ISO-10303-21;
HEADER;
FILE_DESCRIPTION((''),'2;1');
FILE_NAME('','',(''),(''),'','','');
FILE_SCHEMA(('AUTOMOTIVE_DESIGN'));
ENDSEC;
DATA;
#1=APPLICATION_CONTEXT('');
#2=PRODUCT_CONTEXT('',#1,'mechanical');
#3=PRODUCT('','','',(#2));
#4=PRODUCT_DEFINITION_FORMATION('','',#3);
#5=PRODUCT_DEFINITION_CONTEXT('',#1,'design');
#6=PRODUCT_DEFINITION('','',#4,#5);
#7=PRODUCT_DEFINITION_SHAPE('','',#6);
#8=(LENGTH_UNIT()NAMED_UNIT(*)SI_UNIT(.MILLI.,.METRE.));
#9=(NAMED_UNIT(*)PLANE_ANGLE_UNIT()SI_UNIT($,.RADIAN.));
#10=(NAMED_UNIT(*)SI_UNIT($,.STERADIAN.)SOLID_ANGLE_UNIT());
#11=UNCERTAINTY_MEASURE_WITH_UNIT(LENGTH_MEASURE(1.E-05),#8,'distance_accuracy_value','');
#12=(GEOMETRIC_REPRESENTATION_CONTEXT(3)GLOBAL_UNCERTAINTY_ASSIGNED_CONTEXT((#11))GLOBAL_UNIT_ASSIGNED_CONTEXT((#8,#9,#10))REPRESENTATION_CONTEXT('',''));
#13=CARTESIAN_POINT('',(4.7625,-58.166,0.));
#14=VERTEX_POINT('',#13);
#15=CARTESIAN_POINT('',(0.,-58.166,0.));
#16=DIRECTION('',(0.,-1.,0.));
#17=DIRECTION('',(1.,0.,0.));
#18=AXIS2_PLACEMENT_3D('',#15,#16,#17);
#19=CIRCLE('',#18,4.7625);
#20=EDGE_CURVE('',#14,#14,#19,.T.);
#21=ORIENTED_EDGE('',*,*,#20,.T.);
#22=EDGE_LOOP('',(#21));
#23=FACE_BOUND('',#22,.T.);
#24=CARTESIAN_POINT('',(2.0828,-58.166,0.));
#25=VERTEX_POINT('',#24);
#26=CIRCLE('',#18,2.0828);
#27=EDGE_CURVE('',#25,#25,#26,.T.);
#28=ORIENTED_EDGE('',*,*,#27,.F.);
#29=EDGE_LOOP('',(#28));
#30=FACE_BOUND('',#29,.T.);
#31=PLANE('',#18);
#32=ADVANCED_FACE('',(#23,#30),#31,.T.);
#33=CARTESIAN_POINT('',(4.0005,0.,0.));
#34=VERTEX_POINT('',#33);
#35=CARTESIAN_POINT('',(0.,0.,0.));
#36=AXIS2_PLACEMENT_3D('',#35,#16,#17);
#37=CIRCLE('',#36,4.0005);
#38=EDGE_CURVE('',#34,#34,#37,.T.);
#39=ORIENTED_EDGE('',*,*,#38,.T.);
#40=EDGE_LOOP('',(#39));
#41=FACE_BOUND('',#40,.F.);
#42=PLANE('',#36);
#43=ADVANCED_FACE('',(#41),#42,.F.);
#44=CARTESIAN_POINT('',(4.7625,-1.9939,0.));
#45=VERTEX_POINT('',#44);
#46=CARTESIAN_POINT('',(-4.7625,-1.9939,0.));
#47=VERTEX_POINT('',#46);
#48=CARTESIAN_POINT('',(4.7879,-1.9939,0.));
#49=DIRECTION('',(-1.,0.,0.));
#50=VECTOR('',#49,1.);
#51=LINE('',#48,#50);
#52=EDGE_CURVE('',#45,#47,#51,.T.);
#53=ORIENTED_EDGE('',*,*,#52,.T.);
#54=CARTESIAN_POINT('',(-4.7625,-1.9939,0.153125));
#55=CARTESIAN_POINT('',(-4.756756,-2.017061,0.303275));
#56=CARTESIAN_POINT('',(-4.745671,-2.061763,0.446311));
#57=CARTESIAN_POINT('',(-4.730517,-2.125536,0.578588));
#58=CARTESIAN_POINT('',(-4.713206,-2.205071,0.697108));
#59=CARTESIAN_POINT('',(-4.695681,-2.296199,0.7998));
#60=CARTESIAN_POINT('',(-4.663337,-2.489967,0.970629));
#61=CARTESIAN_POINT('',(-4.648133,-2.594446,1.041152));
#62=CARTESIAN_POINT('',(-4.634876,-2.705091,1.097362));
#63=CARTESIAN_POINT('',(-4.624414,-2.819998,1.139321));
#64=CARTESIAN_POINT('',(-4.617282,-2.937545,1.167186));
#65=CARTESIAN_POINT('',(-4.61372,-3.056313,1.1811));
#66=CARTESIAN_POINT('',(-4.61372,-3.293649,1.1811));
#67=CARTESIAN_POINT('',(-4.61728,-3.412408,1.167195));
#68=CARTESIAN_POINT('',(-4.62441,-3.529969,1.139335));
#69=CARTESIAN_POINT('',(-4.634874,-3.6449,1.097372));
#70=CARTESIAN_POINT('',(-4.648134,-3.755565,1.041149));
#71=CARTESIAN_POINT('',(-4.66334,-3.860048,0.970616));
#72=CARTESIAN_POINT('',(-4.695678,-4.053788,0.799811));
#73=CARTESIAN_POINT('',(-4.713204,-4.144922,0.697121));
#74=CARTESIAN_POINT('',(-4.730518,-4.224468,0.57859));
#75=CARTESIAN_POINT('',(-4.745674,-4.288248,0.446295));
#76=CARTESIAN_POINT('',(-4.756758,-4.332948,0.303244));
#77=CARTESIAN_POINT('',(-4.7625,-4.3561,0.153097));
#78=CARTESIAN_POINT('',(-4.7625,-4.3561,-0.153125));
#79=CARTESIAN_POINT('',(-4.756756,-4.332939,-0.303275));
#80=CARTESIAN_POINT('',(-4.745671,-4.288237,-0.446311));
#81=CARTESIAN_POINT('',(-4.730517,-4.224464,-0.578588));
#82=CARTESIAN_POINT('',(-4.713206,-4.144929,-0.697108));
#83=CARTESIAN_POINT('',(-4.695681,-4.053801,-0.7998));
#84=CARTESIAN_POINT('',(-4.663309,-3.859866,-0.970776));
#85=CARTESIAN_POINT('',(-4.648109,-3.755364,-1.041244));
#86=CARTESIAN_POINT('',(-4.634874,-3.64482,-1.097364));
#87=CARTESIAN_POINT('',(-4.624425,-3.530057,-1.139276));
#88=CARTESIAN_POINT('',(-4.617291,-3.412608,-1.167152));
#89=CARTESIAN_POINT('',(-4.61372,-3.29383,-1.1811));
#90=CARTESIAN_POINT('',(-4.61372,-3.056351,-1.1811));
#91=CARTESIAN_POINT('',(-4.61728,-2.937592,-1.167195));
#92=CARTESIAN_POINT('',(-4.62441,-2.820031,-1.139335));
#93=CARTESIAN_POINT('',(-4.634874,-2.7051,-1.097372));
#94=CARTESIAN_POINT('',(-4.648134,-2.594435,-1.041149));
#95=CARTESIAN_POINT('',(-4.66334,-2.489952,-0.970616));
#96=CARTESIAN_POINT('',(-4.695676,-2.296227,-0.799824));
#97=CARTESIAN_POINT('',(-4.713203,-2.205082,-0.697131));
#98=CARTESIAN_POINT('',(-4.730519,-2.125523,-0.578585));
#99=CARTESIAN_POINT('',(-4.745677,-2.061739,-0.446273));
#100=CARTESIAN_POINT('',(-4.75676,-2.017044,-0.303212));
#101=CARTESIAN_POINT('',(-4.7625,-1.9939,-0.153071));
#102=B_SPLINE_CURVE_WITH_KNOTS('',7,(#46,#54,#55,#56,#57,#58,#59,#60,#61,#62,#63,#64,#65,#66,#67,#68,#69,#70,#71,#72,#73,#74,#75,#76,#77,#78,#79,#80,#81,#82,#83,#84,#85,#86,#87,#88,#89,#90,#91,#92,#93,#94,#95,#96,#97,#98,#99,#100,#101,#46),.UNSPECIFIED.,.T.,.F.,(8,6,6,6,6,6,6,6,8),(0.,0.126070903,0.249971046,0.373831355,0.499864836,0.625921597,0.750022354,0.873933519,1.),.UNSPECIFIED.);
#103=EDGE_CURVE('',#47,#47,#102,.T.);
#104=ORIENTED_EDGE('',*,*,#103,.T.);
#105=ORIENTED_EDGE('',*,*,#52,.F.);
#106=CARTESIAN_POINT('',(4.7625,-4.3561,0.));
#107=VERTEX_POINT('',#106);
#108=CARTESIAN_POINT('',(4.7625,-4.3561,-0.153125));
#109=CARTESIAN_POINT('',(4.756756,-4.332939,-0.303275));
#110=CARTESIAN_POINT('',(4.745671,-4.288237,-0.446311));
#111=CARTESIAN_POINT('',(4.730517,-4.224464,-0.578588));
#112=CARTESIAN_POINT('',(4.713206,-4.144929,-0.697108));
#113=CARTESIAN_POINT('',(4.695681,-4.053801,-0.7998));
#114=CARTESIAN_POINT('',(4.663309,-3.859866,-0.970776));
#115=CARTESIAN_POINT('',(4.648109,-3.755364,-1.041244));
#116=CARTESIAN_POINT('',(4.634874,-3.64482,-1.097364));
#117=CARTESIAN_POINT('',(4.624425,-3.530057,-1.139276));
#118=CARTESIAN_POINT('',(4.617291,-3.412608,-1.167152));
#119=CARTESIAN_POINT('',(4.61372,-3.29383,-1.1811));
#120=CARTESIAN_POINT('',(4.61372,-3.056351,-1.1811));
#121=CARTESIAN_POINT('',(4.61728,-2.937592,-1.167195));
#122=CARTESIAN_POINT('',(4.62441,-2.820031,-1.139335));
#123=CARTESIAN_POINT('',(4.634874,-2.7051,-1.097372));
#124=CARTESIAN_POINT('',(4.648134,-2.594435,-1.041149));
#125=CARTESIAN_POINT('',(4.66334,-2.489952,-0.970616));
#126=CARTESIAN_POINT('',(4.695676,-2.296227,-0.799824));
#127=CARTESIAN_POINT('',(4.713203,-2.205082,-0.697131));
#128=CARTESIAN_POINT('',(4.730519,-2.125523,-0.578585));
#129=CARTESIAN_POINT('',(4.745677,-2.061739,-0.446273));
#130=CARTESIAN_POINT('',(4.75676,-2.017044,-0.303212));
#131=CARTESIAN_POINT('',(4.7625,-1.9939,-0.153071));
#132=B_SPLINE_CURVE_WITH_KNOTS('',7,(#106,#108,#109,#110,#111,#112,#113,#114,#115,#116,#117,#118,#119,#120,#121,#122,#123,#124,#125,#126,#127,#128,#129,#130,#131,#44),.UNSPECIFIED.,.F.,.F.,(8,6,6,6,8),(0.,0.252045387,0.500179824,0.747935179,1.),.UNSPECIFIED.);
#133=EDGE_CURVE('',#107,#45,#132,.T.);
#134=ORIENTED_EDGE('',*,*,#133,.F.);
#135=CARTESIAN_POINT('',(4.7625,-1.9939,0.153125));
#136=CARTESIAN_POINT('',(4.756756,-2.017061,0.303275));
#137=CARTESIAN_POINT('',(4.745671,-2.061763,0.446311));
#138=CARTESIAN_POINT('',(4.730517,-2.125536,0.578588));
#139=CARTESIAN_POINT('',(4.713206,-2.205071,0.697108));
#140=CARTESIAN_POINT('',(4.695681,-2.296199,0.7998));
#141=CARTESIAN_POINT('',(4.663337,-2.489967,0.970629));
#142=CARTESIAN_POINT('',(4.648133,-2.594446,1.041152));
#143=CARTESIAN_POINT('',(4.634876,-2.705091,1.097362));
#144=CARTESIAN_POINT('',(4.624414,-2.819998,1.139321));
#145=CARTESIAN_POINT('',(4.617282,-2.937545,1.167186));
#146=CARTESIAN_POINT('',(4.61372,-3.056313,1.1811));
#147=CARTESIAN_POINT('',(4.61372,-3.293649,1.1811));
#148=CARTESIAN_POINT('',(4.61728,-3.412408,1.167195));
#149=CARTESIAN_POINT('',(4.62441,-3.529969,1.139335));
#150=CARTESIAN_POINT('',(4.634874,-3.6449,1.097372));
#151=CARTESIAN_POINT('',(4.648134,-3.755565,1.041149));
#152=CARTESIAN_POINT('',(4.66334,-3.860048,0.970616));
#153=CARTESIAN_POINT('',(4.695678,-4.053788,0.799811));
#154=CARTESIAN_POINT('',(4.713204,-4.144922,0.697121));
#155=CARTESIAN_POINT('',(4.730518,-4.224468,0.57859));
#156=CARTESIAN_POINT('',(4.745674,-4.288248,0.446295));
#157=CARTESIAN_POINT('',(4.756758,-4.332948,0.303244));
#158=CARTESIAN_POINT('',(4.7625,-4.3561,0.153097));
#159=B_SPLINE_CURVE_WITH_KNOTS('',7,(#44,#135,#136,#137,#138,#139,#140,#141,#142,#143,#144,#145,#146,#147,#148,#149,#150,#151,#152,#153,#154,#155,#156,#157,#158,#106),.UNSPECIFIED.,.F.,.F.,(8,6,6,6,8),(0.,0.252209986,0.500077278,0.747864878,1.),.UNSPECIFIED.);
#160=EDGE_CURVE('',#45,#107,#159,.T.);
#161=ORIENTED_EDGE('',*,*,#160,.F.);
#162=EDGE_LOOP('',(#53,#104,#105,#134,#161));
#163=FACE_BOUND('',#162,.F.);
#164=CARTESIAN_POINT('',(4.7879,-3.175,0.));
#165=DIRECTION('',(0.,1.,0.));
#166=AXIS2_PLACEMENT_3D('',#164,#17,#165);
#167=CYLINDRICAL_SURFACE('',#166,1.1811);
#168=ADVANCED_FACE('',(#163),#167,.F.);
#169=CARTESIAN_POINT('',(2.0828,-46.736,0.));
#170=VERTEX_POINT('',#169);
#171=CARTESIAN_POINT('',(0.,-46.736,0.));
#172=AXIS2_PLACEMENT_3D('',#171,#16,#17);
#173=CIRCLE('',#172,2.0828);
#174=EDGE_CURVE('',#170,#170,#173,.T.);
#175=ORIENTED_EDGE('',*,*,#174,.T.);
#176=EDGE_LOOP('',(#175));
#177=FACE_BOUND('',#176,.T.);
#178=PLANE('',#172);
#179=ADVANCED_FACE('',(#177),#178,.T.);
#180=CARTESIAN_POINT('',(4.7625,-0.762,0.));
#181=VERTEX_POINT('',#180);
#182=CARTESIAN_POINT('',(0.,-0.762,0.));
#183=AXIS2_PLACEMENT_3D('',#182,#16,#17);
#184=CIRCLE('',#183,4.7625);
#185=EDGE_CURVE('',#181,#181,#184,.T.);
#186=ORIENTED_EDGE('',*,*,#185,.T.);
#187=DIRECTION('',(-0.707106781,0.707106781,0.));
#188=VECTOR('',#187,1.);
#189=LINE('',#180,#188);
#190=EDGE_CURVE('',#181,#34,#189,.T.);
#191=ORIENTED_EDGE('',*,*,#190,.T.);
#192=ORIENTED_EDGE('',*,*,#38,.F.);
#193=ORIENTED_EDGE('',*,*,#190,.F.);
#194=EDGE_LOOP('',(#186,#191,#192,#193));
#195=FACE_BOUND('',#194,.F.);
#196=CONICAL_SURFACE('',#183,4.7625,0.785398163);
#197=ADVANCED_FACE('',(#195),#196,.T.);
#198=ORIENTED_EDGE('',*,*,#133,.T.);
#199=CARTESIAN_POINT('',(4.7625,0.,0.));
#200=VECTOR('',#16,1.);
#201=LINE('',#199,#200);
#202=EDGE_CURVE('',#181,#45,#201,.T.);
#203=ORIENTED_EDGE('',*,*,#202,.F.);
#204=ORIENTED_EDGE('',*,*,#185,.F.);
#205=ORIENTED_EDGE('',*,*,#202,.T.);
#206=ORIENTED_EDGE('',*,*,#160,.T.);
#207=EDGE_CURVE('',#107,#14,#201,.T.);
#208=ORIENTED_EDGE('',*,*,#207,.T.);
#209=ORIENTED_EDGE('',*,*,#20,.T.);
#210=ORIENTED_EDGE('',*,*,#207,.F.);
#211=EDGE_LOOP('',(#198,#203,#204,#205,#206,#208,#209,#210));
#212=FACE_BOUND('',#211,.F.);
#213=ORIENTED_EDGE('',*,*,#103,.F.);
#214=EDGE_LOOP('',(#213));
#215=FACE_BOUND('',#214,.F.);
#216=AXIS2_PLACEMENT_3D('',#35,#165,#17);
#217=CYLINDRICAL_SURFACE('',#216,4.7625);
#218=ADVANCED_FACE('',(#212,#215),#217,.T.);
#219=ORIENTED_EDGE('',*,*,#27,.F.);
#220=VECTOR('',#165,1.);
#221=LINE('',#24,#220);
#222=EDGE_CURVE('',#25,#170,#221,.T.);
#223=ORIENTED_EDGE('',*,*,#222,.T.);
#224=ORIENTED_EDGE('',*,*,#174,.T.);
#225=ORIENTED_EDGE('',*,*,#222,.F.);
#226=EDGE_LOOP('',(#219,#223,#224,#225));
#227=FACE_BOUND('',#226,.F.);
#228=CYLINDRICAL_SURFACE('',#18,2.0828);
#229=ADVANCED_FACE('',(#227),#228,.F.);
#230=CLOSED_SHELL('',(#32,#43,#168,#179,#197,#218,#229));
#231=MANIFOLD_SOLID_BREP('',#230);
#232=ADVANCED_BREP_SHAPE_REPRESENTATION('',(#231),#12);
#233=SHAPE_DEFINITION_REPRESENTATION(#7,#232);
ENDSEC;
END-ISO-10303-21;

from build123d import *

# Parameters (mm, degrees)
F0_R     = 4.7625
F1_DEPTH = 58.166
F2_R     = 2.0828
F3_DEPTH = 11.43
F5_R     = 1.1811
F6_DEPTH = 10.16
F7_SIZE  = 0.762


with BuildPart() as f1:
    # F0 (on Front) → F1 (new body)
    with BuildSketch(Plane.XZ):
        Circle(F0_R)
    extrude(amount=F1_DEPTH)

    # F2 (on face) → F3 (cut)
    with BuildSketch(Plane.XZ.offset(58.166)):
        Circle(F2_R)
    extrude(amount=-F3_DEPTH, mode=Mode.SUBTRACT)

    # F5 (on offset) → F6 (cut)
    with BuildSketch(Plane.YZ.offset(4.7879)):
        with Locations((-3.175, 0)):
            Circle(F5_R)
    extrude(amount=-F6_DEPTH, mode=Mode.SUBTRACT)

    # F7
    f7_edges = [f1.edges().sort_by_distance(p)[0] for p in [
        (-4.7625, 0, 0),
    ]]
    chamfer(f7_edges, length=F7_SIZE)


solid = f1.part
